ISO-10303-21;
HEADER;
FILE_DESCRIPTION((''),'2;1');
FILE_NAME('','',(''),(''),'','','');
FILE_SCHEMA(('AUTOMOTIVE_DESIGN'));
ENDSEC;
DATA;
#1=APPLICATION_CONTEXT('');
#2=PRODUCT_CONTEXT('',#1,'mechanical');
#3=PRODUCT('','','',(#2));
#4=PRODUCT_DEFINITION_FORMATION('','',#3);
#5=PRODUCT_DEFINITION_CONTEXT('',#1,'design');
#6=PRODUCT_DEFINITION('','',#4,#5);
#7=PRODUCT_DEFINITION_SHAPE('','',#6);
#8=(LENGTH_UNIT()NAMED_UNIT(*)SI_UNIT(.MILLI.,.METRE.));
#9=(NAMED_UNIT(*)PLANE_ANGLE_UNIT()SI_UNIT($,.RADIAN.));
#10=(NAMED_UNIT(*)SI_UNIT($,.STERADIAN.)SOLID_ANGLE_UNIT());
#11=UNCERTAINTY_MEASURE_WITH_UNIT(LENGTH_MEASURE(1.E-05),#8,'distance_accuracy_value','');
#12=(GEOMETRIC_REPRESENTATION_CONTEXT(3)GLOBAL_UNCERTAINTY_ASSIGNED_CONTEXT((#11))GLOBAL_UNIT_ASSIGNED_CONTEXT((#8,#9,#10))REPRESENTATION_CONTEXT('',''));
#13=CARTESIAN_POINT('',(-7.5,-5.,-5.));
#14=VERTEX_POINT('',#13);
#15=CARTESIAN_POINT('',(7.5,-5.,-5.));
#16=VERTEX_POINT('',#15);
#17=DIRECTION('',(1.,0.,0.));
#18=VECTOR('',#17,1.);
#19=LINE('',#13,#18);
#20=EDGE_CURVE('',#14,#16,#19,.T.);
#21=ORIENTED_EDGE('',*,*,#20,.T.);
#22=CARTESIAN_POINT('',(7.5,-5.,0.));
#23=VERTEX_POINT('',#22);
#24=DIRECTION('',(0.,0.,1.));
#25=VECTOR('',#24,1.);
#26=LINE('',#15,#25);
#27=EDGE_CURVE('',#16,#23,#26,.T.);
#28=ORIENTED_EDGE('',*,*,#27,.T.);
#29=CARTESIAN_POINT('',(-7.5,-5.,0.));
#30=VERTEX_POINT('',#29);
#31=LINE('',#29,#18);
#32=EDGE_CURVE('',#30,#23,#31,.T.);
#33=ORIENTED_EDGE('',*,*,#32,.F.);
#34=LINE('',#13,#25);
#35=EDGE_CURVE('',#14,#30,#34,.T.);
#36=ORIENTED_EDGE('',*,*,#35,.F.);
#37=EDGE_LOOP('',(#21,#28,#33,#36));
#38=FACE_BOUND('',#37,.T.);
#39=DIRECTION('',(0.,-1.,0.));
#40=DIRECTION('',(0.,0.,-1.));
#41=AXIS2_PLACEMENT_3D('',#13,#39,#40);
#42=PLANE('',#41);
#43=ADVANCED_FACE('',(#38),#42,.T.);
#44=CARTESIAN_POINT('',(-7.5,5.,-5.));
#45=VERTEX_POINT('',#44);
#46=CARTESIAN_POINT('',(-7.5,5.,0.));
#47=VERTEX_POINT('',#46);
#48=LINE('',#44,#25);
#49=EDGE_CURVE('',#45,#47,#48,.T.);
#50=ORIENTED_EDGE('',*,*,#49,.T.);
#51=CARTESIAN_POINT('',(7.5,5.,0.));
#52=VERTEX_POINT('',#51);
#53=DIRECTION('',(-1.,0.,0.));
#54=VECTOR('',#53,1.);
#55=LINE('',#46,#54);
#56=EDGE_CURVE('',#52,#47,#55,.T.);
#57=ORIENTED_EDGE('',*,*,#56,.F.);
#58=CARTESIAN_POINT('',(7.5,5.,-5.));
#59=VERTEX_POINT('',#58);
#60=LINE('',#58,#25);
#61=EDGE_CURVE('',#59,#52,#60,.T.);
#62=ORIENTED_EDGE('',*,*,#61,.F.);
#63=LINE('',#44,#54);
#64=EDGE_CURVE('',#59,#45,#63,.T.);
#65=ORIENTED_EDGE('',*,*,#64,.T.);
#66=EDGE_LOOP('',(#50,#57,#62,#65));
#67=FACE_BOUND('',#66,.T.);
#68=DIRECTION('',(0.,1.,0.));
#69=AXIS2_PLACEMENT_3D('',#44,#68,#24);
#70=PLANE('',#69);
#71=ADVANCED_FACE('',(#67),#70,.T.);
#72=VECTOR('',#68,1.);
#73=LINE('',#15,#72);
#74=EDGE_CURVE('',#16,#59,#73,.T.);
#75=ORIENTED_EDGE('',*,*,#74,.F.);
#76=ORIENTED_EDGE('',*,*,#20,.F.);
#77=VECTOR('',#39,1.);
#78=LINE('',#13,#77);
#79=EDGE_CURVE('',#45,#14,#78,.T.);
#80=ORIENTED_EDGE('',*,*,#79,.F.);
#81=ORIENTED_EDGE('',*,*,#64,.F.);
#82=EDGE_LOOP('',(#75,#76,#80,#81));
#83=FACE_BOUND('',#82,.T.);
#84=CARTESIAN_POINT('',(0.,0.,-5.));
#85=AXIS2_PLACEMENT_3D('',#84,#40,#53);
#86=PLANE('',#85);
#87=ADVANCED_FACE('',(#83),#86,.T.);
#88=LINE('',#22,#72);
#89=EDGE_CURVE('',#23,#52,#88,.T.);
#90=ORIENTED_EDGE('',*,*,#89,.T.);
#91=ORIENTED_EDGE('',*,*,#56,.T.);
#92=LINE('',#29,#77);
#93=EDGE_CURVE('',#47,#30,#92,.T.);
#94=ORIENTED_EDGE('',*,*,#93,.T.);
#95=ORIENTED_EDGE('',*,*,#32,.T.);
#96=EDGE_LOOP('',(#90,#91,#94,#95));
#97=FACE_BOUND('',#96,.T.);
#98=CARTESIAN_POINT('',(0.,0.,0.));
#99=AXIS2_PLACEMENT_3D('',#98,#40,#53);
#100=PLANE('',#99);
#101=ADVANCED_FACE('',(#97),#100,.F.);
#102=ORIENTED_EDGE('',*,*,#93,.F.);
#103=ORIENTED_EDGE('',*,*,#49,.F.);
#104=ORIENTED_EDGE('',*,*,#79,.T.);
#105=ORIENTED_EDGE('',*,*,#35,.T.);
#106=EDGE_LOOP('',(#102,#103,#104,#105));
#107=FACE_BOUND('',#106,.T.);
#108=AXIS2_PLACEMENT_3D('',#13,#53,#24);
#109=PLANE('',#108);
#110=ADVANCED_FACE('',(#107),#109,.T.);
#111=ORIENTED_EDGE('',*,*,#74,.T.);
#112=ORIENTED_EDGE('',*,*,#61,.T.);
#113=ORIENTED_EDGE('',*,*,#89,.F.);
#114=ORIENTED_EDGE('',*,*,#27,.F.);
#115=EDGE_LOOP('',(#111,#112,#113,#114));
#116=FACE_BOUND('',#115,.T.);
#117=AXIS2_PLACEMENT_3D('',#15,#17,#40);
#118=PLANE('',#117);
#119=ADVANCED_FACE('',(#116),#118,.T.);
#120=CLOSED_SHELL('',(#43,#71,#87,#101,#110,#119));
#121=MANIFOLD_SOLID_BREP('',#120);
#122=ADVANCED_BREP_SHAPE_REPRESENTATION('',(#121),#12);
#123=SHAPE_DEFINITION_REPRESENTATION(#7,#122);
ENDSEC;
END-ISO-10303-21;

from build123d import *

# Parameters (mm, degrees)
SKETCH1_W           = 15
SKETCH1_H           = 10
BOSS_EXTRUDE1_DEPTH = 5


with BuildPart() as part:
    # Sketch1 → Boss-Extrude1 (new body)
    with BuildSketch(Plane.XY):
        Rectangle(SKETCH1_W, SKETCH1_H)
    extrude(amount=-BOSS_EXTRUDE1_DEPTH)


solid = part.part
